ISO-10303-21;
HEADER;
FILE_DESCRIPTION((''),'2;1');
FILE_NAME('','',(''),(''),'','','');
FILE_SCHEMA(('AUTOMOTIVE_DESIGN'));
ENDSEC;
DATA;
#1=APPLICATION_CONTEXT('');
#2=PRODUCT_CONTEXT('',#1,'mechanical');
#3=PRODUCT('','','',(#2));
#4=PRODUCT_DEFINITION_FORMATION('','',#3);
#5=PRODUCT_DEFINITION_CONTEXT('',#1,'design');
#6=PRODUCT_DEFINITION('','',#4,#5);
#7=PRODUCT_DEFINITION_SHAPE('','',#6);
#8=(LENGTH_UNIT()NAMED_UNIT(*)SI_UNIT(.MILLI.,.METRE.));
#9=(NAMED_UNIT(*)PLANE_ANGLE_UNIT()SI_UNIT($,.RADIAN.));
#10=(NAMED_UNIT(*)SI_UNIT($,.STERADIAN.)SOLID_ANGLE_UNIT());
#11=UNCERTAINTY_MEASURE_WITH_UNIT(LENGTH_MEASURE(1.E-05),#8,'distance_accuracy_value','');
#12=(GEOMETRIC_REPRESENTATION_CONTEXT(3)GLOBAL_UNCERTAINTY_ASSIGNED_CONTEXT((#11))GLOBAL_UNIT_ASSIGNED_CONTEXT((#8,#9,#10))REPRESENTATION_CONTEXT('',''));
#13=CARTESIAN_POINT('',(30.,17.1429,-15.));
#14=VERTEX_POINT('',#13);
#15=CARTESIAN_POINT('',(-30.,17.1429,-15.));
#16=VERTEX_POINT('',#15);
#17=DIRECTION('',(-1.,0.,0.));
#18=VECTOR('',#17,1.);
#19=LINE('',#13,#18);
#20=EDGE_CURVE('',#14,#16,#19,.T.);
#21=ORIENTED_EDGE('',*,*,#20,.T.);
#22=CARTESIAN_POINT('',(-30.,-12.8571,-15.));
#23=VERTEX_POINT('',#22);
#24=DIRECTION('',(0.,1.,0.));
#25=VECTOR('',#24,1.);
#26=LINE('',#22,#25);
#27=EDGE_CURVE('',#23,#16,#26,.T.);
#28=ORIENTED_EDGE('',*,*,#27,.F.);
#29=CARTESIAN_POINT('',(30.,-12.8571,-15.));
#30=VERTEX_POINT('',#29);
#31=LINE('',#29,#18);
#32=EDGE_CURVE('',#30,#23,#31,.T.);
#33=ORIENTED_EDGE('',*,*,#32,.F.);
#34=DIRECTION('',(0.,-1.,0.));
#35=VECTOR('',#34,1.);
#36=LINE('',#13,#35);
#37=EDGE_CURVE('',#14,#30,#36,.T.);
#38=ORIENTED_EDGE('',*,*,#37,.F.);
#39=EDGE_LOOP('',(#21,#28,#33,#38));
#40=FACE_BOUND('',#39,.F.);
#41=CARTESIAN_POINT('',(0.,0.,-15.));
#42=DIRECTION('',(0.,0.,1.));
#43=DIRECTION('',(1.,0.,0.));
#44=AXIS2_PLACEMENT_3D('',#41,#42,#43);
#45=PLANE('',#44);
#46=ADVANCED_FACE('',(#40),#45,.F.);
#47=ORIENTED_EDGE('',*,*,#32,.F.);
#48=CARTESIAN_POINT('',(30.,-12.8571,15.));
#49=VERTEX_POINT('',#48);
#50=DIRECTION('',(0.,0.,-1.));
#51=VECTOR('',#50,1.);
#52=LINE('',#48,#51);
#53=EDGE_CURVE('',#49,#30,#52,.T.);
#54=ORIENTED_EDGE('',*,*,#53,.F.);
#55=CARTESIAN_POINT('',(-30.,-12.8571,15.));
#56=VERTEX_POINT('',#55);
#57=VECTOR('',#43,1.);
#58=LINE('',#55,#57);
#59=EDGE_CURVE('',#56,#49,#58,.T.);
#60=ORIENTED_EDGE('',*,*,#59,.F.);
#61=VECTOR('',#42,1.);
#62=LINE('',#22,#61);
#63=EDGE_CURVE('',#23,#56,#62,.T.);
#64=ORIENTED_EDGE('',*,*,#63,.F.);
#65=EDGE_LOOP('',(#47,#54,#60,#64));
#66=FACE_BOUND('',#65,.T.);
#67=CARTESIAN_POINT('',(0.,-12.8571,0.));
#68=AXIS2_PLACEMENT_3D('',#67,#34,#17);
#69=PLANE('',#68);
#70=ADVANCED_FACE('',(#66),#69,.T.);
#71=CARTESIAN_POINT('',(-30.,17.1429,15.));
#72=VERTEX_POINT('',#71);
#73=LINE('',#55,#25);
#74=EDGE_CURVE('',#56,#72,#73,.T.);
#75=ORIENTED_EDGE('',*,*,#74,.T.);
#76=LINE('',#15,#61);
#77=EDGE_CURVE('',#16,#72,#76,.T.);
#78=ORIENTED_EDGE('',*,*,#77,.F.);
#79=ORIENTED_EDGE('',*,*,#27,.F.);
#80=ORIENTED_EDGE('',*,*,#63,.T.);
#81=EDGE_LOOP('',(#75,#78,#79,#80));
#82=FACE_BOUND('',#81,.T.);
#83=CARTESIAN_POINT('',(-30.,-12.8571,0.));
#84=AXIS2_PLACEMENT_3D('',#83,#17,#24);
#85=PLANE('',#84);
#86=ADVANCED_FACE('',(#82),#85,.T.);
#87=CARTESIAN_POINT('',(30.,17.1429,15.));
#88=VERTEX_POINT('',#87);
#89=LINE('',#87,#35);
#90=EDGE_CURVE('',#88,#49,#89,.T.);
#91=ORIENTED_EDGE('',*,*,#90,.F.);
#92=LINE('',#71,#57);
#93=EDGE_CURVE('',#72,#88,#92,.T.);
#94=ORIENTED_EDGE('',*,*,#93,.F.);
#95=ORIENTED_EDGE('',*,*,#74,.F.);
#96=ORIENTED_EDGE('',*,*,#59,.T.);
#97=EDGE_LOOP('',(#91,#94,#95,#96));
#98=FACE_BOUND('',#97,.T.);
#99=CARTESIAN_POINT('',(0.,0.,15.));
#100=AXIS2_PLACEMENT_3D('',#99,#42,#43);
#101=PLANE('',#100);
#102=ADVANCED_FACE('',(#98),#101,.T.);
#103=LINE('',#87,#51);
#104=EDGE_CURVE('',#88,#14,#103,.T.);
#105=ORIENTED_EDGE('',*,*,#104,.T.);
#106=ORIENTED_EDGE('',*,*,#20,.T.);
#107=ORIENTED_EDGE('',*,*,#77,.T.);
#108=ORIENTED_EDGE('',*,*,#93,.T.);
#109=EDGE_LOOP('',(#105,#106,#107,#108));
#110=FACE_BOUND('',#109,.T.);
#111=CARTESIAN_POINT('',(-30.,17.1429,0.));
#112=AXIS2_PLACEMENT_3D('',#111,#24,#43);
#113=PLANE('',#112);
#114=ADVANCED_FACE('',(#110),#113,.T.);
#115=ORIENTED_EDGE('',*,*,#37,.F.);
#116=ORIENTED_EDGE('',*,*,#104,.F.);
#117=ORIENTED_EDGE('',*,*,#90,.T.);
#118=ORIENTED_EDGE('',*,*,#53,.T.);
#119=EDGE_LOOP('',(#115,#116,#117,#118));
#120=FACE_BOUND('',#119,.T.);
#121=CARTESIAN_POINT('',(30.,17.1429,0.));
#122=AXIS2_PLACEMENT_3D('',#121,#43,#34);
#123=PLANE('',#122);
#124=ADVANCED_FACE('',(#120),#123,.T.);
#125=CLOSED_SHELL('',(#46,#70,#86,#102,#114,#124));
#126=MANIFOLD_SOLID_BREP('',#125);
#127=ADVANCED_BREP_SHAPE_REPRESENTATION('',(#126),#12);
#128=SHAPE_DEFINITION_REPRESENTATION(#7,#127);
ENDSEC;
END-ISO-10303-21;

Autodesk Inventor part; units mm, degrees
ref_plane "YZ Plane" through (0, 0, 0) normal (1, 0, 0) x (0, 1, 0)
ref_plane "XZ Plane" through (0, 0, 0) normal (0, 1, 0) x (-1, 0, 0)
ref_plane "XY Plane" through (0, 0, 0) normal (0, 0, 1) x (1, 0, 0)
sketch "Sketch1" plane through (0, 0, 0) normal (0, 0, 1) x (1, 0, 0)
  line L0 (-30, 17.1429) -> (30, 17.1429)
  line L1 (30, 17.1429) -> (30, -12.8571)
  line L2 (30, -12.8571) -> (-30, -12.8571)
  line L3 (-30, -12.8571) -> (-30, 17.1429)
  line L4 (0, 17.1429) -> (0, -12.8571)
  point P0 (0, 0)
  dimension "d1" = 60
  dimension "d2" = 30
extrude "Extrusion1" add sketch "Sketch1" along normal mid plane 30
properties part number "Nose_Camera"
